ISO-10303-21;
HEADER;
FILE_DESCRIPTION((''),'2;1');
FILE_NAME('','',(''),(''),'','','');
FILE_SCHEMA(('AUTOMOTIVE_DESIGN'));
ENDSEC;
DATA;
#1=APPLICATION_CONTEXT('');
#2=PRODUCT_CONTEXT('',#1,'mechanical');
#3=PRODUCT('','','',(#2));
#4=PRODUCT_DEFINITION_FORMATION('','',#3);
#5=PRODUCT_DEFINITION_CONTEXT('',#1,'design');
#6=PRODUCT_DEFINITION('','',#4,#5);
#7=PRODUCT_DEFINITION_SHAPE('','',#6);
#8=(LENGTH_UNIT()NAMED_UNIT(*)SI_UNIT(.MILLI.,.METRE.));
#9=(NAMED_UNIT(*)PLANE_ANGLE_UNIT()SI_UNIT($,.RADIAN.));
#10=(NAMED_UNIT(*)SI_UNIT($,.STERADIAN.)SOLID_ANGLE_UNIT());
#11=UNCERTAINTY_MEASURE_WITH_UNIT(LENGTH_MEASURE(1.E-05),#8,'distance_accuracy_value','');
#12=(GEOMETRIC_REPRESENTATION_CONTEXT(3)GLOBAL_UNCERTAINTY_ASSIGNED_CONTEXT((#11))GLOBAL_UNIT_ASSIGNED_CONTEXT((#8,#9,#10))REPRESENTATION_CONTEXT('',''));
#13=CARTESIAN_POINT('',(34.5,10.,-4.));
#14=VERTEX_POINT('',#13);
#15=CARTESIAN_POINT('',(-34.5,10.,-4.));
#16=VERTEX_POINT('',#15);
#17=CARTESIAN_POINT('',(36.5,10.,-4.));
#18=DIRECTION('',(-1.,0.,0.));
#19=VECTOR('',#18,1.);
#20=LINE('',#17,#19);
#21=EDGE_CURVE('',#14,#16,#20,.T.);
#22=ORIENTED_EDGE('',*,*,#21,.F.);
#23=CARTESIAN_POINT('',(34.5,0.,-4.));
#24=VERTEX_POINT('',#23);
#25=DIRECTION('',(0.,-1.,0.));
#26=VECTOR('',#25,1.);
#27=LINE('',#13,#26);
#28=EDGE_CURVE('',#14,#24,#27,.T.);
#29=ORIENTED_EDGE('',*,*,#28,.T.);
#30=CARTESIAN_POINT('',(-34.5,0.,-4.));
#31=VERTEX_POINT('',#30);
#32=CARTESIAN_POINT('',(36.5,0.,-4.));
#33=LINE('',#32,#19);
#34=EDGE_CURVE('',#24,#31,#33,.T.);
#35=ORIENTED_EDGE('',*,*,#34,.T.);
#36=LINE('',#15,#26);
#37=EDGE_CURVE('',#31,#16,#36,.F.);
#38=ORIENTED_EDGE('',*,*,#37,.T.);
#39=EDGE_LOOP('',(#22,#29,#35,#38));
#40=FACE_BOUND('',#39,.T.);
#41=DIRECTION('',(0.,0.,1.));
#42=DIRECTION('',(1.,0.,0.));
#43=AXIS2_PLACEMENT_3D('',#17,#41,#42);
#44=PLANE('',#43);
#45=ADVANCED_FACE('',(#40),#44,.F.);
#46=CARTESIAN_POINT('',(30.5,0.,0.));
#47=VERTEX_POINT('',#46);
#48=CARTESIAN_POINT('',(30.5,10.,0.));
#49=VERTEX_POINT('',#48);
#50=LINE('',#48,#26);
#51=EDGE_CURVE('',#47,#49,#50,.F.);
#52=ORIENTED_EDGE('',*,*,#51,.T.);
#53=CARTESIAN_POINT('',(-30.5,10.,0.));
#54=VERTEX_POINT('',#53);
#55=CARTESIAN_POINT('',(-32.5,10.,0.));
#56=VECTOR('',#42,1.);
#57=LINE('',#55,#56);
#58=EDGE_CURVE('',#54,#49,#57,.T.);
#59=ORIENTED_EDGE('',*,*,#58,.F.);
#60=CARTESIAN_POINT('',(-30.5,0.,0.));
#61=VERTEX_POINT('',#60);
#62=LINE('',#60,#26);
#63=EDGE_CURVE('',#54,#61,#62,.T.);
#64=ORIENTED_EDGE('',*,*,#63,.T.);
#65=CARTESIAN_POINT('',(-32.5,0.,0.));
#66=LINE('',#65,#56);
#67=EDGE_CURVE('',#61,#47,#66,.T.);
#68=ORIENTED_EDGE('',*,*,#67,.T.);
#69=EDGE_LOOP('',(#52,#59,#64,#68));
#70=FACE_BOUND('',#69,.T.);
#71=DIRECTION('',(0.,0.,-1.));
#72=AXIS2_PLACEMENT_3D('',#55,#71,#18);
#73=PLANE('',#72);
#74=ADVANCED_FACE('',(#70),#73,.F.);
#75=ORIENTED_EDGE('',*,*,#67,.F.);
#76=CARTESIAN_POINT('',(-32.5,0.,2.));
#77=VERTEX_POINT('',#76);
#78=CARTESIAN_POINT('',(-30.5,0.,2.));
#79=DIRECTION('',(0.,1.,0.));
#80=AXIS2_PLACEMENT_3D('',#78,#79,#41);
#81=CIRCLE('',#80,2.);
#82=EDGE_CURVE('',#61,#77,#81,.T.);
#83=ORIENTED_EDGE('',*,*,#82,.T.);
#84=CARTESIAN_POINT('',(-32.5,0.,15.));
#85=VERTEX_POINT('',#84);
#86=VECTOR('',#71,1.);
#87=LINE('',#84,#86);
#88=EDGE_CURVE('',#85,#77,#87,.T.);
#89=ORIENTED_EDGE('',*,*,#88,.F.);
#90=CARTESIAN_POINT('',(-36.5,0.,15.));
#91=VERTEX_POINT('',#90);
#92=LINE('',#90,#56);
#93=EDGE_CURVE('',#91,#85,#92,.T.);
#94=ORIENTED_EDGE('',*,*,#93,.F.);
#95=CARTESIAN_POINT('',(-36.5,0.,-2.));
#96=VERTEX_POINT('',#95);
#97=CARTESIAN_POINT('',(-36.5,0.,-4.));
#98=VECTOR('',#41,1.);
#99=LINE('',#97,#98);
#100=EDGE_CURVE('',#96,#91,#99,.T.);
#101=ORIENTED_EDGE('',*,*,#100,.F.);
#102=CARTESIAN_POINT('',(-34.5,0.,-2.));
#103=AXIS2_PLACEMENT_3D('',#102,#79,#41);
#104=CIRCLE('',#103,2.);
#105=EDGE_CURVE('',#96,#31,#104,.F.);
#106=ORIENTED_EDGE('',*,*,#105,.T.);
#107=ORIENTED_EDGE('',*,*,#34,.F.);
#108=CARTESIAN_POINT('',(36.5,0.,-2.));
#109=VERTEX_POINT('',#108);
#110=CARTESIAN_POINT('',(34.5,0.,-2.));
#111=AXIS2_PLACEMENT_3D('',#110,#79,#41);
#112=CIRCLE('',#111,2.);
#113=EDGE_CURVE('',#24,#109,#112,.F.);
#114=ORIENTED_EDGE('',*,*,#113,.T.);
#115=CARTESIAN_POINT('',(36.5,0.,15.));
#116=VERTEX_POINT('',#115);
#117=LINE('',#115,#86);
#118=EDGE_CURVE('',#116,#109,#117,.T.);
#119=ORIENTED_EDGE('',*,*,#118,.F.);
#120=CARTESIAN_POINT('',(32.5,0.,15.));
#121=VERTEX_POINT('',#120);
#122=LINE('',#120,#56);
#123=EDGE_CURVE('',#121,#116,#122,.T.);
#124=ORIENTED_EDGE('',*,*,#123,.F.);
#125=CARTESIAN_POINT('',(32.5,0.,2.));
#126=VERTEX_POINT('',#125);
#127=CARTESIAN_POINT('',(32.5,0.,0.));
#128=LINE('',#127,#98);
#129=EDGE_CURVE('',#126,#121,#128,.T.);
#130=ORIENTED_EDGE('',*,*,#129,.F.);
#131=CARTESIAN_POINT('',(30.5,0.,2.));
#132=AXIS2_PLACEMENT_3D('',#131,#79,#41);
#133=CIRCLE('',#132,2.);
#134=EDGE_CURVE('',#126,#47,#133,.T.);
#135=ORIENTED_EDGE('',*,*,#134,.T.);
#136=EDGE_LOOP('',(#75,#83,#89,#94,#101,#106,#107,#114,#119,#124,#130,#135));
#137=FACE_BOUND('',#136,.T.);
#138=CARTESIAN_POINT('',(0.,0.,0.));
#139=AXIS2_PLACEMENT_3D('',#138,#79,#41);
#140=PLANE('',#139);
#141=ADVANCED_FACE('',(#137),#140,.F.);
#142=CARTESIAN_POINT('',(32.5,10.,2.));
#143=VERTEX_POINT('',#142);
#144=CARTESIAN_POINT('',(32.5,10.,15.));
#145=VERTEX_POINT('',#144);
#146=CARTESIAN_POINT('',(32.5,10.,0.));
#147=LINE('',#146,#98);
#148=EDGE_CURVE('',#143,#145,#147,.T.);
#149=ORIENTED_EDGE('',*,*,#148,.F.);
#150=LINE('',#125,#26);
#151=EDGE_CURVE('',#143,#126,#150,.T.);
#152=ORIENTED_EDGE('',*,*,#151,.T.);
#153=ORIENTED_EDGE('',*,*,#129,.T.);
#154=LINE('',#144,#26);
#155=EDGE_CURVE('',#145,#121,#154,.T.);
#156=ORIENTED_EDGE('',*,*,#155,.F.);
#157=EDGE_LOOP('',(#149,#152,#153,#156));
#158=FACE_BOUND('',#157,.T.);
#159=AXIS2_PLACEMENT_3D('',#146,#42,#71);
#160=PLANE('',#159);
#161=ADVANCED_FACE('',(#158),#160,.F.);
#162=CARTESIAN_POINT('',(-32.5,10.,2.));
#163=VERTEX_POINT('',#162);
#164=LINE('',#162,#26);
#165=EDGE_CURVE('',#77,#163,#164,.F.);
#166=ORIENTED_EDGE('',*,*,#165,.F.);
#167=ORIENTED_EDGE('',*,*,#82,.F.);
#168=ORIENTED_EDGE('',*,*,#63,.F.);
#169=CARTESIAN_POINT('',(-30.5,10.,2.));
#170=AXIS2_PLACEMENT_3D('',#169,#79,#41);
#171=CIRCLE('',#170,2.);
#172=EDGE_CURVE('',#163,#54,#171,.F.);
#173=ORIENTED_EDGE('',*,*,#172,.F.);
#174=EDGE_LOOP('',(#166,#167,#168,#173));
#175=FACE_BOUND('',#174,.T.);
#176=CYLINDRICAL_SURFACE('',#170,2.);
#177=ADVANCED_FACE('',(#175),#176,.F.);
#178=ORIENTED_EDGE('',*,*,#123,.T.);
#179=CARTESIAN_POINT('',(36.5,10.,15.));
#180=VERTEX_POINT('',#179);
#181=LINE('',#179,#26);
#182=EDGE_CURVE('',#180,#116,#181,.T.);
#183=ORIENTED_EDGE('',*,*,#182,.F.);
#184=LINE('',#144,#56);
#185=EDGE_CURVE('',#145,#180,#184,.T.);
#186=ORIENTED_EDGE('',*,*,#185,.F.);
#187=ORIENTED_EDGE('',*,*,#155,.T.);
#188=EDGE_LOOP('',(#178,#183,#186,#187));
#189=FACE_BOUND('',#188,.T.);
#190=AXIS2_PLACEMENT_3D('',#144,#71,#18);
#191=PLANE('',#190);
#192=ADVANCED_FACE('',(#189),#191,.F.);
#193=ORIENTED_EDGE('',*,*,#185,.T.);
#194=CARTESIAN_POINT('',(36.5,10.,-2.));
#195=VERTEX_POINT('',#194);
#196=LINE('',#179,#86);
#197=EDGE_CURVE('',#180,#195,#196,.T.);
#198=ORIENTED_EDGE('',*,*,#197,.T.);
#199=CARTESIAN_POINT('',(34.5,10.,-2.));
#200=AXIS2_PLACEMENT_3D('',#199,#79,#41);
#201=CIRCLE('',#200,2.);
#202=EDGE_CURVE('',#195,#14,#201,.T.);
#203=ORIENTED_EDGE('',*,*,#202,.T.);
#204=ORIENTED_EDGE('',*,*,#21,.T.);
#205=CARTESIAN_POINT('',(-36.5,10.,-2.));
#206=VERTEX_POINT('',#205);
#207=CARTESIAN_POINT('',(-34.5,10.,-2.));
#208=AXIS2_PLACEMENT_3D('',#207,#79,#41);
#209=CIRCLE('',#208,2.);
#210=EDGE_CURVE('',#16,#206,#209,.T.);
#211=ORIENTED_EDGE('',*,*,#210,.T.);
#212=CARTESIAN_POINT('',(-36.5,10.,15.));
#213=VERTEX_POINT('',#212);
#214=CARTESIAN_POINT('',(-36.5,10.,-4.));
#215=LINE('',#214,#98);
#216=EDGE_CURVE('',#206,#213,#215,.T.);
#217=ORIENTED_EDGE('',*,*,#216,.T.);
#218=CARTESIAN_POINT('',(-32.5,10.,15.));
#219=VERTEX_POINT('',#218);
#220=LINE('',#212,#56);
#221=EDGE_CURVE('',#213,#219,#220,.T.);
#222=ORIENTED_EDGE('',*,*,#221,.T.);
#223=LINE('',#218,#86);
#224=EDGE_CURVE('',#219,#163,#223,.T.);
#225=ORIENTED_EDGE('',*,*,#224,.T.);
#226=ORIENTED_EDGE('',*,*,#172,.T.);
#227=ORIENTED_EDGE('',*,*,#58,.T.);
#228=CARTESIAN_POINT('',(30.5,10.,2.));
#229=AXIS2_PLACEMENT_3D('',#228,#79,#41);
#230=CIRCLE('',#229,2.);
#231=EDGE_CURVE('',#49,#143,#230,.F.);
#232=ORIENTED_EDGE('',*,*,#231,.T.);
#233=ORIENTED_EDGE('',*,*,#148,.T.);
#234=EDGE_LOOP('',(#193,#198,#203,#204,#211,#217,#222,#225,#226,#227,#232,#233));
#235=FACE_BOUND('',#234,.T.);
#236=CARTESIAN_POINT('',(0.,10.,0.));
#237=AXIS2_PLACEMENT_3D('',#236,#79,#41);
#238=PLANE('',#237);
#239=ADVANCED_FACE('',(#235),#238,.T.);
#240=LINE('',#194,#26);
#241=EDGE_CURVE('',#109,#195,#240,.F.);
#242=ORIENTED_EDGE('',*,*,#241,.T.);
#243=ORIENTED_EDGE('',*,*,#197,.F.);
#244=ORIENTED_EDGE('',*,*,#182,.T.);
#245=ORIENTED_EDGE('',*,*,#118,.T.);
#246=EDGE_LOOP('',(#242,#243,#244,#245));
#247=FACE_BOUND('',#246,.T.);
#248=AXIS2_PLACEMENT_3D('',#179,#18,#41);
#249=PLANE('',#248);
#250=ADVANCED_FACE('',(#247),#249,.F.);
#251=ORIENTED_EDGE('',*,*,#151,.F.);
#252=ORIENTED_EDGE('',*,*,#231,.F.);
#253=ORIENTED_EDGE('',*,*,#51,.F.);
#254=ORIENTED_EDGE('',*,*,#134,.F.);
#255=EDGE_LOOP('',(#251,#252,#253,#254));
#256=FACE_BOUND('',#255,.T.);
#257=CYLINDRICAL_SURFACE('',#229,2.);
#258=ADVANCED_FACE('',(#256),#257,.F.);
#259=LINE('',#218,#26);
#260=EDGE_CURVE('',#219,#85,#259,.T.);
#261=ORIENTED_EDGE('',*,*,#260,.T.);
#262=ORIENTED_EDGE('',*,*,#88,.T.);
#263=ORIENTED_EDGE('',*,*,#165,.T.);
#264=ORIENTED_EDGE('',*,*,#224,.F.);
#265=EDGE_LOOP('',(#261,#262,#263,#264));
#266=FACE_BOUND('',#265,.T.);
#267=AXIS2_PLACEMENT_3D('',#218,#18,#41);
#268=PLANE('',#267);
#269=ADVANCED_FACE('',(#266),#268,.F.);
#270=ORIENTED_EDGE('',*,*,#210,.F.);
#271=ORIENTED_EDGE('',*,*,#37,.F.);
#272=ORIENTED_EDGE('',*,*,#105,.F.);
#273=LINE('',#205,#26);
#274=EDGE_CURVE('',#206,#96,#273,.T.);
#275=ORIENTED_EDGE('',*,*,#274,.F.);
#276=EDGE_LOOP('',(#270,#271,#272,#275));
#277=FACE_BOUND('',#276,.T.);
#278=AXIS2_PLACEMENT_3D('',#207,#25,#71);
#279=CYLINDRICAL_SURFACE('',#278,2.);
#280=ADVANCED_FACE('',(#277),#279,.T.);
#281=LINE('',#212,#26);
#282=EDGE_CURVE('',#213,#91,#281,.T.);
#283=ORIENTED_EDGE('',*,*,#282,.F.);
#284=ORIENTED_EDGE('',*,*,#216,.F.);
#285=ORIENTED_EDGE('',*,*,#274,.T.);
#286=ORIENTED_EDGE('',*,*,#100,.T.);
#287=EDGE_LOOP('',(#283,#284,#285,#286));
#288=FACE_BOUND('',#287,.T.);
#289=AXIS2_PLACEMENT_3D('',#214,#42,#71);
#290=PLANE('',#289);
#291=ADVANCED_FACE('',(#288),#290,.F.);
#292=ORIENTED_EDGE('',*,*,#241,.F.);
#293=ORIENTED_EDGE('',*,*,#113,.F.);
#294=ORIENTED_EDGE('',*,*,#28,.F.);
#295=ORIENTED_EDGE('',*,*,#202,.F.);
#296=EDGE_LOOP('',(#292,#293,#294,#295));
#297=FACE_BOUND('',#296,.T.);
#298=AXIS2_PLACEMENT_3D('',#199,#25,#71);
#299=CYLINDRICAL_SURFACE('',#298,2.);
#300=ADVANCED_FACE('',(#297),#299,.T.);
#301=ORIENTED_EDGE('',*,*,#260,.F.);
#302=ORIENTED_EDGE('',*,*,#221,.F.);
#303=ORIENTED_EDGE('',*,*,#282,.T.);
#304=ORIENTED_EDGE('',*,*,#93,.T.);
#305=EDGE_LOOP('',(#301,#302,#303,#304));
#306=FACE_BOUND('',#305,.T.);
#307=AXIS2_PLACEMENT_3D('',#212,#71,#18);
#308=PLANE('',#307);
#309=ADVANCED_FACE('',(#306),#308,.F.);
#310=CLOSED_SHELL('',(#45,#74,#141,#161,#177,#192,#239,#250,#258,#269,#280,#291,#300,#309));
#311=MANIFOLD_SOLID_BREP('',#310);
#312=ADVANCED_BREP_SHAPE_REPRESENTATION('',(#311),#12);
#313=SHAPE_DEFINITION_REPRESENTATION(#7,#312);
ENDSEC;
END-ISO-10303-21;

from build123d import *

# Parameters (mm, degrees)
BOSS_EXTRUDE1_DEPTH = 10
FILLET1_R           = 2


with BuildPart() as part:
    # Sketch1 → Boss-Extrude1 (new body)
    with BuildSketch(Plane(origin=(0, 0, 0), x_dir=(1, 0, 0), z_dir=(0, 1, 0))):
        Polygon((-32.5, 0), (32.5, 0), (32.5, -15), (36.5, -15), (36.5, 4), (-36.5, 4), (-36.5, -15), (-32.5, -15), align=None)
    extrude(amount=BOSS_EXTRUDE1_DEPTH)

    # Fillet1
    fillet1_edges = [part.edges().sort_by_distance(p)[0] for p in [
        (-36.5, 5, -4),
        (36.5, 5, -4),
        (32.5, 5, 0),
        (-32.5, 5, 0),
    ]]
    fillet(fillet1_edges, radius=FILLET1_R)


solid = part.part
